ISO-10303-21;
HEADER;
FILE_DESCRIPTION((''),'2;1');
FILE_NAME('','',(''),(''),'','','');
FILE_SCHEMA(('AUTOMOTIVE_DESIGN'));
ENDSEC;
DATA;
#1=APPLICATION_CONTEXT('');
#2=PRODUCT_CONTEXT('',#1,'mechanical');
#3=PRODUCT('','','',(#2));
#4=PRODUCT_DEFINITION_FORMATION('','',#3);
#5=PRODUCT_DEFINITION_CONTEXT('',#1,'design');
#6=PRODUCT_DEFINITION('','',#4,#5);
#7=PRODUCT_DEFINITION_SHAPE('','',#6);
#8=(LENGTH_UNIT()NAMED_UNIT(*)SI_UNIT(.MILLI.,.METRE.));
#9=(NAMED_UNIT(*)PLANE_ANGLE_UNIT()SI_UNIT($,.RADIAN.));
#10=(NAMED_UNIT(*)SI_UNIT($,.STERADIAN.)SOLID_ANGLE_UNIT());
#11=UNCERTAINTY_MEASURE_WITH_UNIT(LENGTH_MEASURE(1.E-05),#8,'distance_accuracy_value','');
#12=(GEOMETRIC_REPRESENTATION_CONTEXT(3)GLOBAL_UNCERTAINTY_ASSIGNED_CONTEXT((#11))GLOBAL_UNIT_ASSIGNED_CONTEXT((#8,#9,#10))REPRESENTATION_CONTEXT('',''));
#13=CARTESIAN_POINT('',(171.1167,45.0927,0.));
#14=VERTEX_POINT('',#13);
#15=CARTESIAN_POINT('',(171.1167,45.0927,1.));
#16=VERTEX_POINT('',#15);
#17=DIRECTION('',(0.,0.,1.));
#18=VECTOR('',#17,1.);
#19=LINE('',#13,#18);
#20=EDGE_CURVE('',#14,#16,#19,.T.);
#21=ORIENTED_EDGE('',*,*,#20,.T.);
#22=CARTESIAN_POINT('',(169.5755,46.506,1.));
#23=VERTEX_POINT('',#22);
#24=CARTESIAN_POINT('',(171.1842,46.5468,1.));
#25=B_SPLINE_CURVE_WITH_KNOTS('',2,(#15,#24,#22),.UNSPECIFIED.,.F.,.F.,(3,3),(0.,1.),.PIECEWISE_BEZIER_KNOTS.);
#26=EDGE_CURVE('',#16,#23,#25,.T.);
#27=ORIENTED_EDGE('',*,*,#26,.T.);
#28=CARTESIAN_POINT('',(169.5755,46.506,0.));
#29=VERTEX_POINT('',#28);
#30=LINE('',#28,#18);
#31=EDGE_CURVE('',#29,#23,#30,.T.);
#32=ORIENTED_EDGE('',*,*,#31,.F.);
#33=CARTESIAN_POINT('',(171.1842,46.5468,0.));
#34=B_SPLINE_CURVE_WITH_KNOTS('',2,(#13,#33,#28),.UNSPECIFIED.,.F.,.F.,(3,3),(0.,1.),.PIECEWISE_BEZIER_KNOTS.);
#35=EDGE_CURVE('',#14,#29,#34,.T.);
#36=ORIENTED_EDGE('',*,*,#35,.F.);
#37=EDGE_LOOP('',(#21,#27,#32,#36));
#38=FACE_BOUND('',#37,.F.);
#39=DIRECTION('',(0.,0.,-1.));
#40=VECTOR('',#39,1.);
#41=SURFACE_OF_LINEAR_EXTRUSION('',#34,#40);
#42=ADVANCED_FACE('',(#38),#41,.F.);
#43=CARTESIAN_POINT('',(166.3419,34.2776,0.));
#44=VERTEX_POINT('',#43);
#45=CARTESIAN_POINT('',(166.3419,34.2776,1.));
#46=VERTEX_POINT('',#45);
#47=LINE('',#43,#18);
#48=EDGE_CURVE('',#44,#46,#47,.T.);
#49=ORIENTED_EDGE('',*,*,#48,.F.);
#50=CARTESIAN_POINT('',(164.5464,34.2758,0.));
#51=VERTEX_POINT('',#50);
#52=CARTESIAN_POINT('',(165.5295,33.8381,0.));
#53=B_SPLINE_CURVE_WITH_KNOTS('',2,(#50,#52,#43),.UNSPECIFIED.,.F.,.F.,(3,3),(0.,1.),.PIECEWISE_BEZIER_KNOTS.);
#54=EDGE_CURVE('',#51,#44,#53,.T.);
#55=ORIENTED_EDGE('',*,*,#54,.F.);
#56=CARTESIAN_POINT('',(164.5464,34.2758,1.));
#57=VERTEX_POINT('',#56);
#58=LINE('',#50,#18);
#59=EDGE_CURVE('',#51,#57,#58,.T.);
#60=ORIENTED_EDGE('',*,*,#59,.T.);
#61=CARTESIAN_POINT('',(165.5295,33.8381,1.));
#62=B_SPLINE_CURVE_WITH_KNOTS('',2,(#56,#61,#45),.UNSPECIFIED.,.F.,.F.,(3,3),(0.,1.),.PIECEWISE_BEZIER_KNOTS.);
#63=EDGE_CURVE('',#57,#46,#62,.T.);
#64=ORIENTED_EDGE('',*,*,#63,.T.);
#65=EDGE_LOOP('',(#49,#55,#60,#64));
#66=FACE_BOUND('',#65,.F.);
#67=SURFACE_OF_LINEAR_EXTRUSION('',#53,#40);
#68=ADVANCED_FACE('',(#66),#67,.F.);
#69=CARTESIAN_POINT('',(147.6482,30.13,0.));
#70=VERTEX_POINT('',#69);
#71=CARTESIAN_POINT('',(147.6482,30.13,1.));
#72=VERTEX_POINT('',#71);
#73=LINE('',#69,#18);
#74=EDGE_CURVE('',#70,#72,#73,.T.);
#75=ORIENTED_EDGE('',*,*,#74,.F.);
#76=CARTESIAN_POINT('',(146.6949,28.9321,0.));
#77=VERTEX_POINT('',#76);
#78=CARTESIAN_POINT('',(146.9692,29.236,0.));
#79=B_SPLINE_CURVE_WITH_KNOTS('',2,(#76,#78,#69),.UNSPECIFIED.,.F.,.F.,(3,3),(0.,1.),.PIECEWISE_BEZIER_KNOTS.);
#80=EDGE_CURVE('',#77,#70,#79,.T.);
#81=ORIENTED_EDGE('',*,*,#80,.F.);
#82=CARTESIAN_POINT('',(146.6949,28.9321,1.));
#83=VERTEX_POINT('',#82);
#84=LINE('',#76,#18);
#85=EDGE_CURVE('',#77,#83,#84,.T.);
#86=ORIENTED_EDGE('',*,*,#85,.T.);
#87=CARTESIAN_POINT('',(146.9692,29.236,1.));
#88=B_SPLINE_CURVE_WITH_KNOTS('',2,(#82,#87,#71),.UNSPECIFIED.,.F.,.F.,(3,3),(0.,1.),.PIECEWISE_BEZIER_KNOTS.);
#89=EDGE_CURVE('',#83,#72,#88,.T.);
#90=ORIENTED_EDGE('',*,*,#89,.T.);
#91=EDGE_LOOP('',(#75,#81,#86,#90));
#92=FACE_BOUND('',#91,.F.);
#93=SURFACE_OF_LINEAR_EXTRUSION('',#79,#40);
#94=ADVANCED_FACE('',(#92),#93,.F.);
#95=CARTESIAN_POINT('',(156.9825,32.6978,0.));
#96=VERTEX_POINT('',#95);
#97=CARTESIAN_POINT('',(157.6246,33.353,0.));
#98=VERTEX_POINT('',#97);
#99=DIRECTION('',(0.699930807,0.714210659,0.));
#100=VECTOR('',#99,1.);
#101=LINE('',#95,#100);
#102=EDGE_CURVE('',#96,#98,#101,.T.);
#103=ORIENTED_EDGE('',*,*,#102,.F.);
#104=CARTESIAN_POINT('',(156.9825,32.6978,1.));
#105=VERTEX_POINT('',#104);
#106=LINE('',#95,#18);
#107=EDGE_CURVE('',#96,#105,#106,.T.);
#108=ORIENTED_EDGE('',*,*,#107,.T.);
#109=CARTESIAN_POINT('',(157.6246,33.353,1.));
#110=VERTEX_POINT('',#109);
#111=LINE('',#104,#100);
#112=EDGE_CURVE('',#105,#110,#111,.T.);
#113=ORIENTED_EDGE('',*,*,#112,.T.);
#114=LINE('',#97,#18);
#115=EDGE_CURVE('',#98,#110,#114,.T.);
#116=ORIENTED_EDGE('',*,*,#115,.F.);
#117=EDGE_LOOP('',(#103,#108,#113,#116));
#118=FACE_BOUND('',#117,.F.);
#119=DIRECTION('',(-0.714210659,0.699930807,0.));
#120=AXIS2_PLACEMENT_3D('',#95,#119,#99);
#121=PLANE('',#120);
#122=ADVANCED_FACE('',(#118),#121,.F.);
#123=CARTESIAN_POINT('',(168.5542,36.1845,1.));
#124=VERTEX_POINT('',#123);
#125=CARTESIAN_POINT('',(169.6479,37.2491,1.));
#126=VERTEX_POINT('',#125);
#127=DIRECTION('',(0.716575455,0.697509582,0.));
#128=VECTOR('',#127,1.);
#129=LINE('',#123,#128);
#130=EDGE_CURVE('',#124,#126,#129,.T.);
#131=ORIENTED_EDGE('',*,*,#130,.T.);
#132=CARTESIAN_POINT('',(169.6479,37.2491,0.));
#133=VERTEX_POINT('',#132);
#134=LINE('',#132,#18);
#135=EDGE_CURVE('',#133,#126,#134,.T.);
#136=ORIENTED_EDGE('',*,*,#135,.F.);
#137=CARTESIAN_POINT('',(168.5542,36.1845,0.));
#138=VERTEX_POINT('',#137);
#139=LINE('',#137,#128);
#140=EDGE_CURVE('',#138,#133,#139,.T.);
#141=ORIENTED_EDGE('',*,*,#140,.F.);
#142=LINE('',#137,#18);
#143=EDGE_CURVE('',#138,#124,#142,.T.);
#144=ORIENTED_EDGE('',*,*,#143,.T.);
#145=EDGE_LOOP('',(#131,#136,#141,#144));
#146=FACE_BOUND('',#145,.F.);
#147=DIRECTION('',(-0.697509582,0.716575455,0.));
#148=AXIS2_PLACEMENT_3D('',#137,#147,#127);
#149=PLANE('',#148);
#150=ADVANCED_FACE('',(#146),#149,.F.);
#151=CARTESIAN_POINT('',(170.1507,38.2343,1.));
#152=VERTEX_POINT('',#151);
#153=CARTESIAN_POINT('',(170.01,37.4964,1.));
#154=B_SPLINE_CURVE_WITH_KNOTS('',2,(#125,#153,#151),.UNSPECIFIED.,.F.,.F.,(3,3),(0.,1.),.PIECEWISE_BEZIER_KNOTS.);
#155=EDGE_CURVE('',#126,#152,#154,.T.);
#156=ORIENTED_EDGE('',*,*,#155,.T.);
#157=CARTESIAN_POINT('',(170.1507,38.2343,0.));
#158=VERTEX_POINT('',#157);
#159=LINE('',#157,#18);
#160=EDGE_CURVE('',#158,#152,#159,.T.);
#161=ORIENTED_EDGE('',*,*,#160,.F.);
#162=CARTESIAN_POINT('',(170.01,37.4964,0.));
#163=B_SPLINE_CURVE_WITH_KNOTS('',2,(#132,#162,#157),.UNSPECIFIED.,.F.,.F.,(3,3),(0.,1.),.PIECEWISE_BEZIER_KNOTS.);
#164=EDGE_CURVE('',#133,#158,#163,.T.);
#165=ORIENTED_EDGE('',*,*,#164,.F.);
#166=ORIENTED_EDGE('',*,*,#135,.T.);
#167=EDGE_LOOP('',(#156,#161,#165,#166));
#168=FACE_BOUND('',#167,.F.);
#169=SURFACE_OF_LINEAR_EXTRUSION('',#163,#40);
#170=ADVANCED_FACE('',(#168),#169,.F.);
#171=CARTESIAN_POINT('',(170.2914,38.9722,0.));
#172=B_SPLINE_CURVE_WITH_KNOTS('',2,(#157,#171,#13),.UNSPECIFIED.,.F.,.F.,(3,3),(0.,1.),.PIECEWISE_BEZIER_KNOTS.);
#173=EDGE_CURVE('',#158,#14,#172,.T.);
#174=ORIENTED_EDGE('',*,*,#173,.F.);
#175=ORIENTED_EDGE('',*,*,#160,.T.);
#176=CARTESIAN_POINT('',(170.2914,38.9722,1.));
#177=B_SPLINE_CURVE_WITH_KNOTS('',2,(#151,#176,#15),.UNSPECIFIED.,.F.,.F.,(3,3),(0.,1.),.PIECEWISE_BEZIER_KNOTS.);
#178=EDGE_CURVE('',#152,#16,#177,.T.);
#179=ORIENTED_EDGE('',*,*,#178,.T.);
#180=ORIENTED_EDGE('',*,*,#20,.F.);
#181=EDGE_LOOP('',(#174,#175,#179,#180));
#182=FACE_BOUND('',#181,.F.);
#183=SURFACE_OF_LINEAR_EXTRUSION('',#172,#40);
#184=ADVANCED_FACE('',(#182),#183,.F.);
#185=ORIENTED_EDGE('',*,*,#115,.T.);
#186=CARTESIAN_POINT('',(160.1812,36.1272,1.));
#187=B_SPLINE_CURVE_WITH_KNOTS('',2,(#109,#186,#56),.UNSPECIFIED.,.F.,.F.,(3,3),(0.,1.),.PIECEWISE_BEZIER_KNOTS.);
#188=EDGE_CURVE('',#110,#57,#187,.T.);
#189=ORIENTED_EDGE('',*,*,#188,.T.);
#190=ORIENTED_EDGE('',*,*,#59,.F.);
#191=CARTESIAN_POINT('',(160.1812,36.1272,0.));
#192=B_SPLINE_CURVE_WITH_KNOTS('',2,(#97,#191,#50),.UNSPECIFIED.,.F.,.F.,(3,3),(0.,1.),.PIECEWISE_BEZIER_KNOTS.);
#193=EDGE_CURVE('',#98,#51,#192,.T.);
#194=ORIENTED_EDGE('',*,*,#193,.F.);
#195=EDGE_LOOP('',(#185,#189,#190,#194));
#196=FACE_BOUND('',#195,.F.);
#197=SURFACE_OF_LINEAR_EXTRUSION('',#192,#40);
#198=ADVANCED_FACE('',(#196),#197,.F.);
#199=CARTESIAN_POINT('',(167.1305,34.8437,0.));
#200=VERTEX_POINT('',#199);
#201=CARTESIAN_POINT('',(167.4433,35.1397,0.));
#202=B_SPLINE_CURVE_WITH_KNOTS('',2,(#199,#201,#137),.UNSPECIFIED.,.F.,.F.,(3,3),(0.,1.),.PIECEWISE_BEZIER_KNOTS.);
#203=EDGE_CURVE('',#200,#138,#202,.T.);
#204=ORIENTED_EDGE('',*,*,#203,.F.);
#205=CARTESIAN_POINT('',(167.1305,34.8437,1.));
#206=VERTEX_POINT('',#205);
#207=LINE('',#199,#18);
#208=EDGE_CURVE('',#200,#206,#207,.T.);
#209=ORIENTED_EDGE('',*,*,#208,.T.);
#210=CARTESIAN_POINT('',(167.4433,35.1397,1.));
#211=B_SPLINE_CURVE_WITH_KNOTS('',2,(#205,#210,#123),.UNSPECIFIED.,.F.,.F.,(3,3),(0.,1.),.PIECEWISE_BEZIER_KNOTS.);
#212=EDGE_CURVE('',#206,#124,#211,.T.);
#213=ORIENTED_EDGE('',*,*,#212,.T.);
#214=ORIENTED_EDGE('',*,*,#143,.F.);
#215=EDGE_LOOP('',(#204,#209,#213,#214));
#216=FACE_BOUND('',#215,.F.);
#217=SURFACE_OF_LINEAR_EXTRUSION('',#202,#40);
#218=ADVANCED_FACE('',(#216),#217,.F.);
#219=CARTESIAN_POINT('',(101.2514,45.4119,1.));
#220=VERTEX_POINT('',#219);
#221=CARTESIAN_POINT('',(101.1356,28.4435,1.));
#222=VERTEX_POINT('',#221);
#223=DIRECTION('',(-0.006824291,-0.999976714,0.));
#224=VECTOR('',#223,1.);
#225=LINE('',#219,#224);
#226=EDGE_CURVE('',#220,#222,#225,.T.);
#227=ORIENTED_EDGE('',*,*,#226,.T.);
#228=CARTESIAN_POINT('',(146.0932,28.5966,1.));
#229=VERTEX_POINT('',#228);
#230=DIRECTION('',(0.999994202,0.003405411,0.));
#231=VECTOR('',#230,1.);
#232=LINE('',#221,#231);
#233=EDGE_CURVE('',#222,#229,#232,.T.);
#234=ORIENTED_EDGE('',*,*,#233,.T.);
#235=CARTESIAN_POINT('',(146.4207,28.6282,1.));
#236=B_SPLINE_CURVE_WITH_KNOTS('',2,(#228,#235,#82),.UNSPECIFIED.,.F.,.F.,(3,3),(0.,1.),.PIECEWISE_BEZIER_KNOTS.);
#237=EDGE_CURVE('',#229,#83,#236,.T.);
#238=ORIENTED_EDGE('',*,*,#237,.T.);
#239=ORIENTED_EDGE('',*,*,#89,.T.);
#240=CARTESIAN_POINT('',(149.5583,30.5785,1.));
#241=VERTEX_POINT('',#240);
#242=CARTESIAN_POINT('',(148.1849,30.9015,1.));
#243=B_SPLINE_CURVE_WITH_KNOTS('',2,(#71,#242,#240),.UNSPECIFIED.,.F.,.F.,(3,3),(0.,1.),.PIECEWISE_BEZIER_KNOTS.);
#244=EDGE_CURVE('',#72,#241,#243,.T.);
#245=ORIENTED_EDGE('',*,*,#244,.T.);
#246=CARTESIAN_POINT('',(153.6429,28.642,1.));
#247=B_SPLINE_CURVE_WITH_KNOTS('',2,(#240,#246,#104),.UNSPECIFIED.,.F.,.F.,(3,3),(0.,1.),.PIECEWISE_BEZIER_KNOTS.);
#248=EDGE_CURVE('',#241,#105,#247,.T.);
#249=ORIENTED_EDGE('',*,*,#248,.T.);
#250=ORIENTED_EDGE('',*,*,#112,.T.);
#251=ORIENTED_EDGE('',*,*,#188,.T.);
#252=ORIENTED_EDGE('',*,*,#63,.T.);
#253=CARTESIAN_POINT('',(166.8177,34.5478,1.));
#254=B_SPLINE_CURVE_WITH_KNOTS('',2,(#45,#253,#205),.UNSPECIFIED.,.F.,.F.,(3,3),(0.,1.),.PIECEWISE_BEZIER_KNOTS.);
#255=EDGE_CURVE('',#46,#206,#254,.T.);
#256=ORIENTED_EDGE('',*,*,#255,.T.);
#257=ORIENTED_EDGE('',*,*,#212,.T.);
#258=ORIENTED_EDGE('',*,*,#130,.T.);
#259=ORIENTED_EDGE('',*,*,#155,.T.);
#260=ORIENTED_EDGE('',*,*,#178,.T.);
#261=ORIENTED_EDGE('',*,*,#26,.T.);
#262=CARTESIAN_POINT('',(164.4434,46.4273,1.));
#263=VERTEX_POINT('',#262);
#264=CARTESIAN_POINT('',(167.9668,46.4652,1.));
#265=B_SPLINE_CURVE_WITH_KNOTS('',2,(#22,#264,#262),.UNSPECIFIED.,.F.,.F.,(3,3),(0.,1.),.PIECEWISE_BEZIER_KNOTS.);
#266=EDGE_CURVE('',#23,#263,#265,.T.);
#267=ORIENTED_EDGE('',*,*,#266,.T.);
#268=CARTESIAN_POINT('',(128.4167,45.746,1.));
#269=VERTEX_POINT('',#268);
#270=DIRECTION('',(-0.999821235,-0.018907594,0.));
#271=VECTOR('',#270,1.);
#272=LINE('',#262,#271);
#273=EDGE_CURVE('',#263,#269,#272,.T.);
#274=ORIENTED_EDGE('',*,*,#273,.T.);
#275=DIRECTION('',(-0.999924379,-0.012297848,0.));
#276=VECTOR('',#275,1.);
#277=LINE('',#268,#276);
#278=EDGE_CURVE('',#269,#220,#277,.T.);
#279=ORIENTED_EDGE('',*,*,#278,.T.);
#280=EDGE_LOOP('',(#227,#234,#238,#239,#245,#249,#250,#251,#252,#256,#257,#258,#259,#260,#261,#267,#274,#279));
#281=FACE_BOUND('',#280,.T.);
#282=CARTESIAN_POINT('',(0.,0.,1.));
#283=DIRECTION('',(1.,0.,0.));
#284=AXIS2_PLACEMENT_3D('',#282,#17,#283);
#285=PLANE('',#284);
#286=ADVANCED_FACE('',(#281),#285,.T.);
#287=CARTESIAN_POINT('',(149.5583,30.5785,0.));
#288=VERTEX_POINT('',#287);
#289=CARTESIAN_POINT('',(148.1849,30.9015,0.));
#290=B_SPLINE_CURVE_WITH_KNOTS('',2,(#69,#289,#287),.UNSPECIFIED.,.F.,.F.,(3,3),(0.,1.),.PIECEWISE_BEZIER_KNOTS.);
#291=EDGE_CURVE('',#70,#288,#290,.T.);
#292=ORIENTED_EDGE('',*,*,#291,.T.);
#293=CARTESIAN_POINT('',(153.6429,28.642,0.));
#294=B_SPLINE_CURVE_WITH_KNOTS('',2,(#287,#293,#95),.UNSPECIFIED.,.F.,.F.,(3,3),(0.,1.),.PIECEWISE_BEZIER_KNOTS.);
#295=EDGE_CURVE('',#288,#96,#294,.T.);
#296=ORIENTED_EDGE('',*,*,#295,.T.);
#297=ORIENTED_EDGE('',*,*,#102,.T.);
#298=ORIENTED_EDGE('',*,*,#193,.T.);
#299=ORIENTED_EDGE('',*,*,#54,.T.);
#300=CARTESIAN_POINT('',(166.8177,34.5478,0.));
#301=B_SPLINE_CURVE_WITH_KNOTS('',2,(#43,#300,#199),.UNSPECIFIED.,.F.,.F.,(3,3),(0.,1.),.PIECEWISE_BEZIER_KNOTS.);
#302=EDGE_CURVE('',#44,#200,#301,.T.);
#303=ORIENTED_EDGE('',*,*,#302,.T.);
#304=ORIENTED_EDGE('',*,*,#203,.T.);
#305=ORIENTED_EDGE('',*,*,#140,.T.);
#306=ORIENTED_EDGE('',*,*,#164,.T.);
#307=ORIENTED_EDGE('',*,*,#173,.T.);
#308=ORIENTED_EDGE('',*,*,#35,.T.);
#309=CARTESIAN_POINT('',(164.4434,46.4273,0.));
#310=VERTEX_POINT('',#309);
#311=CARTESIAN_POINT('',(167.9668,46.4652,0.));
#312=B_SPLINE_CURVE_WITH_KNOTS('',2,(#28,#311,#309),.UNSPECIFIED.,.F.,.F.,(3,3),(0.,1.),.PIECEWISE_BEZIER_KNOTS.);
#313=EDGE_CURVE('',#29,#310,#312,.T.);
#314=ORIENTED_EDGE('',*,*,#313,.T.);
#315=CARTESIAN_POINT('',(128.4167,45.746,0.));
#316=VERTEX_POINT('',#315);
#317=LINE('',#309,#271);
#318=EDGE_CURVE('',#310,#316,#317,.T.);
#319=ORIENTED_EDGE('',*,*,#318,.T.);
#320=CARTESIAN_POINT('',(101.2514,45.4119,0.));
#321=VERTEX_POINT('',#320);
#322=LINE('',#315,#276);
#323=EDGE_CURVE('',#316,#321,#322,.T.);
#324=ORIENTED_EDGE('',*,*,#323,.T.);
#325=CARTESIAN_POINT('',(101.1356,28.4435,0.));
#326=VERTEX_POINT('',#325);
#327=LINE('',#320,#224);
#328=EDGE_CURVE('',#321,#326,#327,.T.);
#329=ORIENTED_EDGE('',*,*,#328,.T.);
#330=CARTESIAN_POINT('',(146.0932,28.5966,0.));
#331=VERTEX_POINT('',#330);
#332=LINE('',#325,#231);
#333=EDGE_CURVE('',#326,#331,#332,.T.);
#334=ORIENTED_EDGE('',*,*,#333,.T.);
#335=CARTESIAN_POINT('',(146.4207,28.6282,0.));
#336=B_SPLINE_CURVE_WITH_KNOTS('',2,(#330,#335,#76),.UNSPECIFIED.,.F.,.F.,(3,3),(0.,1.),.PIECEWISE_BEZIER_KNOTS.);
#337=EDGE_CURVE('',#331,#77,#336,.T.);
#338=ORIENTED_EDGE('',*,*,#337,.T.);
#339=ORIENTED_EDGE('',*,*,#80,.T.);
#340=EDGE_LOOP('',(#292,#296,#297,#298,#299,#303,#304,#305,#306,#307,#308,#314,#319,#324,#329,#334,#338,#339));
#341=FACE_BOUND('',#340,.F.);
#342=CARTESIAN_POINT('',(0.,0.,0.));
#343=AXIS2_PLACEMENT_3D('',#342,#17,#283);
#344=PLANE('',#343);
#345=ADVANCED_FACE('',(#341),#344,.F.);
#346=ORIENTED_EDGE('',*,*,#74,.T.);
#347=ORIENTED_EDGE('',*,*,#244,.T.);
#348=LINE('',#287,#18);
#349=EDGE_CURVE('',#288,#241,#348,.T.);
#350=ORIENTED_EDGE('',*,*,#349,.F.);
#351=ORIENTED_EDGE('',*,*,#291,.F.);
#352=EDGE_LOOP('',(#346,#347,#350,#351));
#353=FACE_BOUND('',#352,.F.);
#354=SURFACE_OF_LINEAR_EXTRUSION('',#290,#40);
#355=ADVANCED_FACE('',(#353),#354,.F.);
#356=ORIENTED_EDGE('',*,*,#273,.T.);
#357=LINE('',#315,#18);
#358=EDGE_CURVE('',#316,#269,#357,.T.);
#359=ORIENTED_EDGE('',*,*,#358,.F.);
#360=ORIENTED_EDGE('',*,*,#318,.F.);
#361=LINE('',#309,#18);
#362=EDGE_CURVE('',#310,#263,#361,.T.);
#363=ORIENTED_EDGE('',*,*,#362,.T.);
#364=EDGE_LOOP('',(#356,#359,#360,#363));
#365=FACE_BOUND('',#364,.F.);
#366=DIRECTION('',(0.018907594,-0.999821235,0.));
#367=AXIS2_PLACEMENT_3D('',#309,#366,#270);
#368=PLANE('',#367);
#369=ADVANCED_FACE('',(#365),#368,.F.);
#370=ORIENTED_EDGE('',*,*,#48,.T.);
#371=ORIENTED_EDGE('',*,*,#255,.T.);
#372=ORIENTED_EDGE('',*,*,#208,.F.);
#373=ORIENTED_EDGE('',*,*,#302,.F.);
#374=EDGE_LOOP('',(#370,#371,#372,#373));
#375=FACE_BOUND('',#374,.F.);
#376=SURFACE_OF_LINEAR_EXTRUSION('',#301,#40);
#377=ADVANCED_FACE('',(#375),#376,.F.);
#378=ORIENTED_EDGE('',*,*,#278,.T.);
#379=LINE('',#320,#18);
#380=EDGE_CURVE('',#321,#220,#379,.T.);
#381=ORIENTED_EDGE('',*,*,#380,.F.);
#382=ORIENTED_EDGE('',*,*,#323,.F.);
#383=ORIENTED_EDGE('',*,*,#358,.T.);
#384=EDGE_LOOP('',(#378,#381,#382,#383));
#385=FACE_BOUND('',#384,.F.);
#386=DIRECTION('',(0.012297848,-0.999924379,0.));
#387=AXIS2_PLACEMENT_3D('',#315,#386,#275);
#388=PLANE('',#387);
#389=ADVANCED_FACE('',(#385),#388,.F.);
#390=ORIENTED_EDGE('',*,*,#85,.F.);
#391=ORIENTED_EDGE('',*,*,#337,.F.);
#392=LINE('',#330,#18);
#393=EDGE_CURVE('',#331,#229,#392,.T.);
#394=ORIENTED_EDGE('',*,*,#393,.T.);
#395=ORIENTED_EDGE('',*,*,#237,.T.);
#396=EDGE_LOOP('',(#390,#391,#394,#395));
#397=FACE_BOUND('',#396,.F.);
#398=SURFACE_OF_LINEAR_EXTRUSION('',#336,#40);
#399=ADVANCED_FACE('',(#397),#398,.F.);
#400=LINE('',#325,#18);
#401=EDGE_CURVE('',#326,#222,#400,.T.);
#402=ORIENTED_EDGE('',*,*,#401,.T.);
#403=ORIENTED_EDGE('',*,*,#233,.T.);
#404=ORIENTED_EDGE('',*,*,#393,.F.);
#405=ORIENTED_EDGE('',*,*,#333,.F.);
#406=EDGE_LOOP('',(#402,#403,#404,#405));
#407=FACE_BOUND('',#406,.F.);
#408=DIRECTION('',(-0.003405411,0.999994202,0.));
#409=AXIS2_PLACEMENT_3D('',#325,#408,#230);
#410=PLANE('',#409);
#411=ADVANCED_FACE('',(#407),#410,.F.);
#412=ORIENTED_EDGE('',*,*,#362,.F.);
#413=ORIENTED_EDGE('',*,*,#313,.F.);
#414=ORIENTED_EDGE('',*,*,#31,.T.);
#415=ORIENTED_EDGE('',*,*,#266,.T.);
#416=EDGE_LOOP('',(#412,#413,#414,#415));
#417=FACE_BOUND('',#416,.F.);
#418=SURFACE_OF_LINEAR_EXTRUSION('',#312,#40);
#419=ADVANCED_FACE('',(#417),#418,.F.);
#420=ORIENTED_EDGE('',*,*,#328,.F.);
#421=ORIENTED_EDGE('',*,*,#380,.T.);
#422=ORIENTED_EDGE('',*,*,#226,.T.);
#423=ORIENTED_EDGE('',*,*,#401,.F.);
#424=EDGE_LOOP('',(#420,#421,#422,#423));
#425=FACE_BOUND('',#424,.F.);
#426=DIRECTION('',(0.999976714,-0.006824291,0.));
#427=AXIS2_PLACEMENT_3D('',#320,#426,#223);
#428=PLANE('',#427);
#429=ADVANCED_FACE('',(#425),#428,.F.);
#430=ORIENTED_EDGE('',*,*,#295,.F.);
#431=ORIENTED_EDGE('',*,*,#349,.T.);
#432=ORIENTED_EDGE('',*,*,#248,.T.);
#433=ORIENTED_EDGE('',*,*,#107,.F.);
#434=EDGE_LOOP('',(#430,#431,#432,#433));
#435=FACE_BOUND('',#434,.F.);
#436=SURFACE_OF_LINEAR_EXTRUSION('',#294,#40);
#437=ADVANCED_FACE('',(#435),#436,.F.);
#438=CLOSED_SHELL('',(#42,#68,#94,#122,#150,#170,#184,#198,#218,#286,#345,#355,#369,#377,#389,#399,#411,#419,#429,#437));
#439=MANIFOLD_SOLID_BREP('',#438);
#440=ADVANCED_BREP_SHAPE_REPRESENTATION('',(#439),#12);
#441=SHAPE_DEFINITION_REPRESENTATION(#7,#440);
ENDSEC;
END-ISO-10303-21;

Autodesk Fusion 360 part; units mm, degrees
sketch "Sketch1" plane through (0, 0, 0) normal (0, 0, 1) x (1, 0, 0)
  line L0 (0, 0) -> (85, 0)
  line L1 (85, 0) -> (85, 10)
  line L2 (85, 10) -> (0, 10)
  line L3 (0, 10) -> (0, 0)
  dimension "d1" = 85
  dimension "d2" = 10
sketch "Sketch2" plane through (0, 0, 0) normal (0, 0, 1) x (1, 0, 0)
  line L0 (-0.1614, 75.5661) -> (84.7889, 75.5661)
  line L1 (84.7889, 75.5661) -> (84.7889, 51.9288)
  line L2 (84.7889, 51.9288) -> (-0.1614, 51.9288)
  line L3 (-0.1614, 51.9288) -> (-0.1614, 75.5661)
  line L4 (101.1356, 28.4435) -> (146.0932, 28.5966)
  spline S0 degree 2 poles (146.0932, 28.5966) (146.4207, 28.6282) (146.6949, 28.9321) knots 0 0 0 1 1 1
  spline S1 degree 2 poles (146.6949, 28.9321) (146.9692, 29.236) (147.6482, 30.13) knots 0 0 0 1 1 1
  spline S2 degree 2 poles (147.6482, 30.13) (148.1849, 30.9015) (149.5583, 30.5785) knots 0 0 0 1 1 1
  spline S3 degree 2 poles (149.5583, 30.5785) (153.6429, 28.642) (156.9825, 32.6978) knots 0 0 0 1 1 1
  line L5 (156.9825, 32.6978) -> (157.6246, 33.353)
  spline S4 degree 2 poles (157.6246, 33.353) (160.1812, 36.1272) (164.5464, 34.2758) knots 0 0 0 1 1 1
  spline S5 degree 2 poles (164.5464, 34.2758) (165.5295, 33.8381) (166.3419, 34.2776) knots 0 0 0 1 1 1
  spline S6 degree 2 poles (166.3419, 34.2776) (166.8177, 34.5478) (167.1305, 34.8437) knots 0 0 0 1 1 1
  spline S7 degree 2 poles (167.1305, 34.8437) (167.4433, 35.1397) (168.5542, 36.1845) knots 0 0 0 1 1 1
  line L6 (168.5542, 36.1845) -> (169.6479, 37.2491)
  spline S8 degree 2 poles (169.6479, 37.2491) (170.01, 37.4964) (170.1507, 38.2343) knots 0 0 0 1 1 1
  spline S9 degree 2 poles (170.1507, 38.2343) (170.2914, 38.9722) (171.1167, 45.0927) knots 0 0 0 1 1 1
  spline S10 degree 2 poles (171.1167, 45.0927) (171.1842, 46.5468) (169.5755, 46.506) knots 0 0 0 1 1 1
  spline S11 degree 2 poles (169.5755, 46.506) (167.9668, 46.4652) (164.4434, 46.4273) knots 0 0 0 1 1 1
  line L7 (164.4434, 46.4273) -> (128.4167, 45.746)
  line L8 (128.4167, 45.746) -> (101.2514, 45.4119)
  line L9 (101.2514, 45.4119) -> (101.1356, 28.4435)
extrude "Extrude1" add sketch "Sketch2" along normal blind 1 contours L4 S0 S1 S2 S3 L5 S4 S5 S6 S7 L6 S8 S9 S10 S11 L7 L8 L9
